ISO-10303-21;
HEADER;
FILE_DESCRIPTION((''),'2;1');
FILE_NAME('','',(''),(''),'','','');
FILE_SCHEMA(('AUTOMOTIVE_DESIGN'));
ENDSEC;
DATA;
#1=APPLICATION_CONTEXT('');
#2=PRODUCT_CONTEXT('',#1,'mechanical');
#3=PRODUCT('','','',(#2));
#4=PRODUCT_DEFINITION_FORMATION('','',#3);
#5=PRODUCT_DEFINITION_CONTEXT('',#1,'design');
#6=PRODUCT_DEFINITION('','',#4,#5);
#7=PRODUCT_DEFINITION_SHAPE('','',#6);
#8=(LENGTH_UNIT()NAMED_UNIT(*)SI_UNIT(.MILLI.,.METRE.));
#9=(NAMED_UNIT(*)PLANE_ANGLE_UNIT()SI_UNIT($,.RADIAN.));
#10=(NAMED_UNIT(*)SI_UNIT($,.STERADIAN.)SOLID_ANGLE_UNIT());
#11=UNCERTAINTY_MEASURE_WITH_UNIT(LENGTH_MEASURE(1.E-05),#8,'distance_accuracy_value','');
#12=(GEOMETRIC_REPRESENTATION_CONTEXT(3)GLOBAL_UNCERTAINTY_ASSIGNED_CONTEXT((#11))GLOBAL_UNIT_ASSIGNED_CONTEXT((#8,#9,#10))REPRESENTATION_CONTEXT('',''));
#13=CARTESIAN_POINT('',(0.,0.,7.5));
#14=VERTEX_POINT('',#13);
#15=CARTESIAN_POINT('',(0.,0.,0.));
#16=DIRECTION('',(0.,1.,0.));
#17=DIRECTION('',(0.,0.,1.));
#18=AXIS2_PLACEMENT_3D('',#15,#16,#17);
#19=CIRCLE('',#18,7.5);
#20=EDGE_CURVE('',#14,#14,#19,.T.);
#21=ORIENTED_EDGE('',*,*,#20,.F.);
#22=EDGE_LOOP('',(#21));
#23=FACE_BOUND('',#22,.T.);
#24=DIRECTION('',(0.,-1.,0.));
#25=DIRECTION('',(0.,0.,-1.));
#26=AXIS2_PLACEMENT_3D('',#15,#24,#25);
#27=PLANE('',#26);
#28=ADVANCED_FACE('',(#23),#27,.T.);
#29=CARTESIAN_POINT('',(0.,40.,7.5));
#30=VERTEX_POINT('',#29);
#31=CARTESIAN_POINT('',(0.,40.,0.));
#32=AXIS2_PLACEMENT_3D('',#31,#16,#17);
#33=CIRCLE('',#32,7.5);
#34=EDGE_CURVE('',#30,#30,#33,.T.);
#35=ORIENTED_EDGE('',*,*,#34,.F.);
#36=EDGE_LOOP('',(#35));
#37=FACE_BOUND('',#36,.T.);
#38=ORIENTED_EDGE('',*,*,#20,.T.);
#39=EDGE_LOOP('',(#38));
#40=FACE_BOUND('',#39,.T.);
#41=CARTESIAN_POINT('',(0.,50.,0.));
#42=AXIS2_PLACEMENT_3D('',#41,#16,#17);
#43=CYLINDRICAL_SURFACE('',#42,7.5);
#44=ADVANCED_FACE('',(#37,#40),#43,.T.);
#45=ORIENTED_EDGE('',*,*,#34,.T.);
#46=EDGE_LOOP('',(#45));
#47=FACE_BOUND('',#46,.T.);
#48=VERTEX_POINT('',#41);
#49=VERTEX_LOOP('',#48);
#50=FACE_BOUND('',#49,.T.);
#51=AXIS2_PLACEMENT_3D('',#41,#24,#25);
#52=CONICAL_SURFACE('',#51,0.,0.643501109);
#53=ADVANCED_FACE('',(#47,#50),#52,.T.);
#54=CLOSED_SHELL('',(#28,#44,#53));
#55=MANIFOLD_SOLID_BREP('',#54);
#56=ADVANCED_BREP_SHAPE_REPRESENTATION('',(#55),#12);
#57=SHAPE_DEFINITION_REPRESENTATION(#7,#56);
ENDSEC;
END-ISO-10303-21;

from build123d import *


with BuildPart() as part:
    # Esquisse2 → Révolution1 (revolve)
    with BuildSketch(Plane(origin=(0, 0, 0), x_dir=(0, 0, -1), z_dir=(1, 0, 0))):
        Polygon((0, 0), (-7.5, 0), (-7.5, 40), (0, 50), align=None)
    revolve(axis=Axis((0, 50, 0), (0, -1, 0)))


solid = part.part
